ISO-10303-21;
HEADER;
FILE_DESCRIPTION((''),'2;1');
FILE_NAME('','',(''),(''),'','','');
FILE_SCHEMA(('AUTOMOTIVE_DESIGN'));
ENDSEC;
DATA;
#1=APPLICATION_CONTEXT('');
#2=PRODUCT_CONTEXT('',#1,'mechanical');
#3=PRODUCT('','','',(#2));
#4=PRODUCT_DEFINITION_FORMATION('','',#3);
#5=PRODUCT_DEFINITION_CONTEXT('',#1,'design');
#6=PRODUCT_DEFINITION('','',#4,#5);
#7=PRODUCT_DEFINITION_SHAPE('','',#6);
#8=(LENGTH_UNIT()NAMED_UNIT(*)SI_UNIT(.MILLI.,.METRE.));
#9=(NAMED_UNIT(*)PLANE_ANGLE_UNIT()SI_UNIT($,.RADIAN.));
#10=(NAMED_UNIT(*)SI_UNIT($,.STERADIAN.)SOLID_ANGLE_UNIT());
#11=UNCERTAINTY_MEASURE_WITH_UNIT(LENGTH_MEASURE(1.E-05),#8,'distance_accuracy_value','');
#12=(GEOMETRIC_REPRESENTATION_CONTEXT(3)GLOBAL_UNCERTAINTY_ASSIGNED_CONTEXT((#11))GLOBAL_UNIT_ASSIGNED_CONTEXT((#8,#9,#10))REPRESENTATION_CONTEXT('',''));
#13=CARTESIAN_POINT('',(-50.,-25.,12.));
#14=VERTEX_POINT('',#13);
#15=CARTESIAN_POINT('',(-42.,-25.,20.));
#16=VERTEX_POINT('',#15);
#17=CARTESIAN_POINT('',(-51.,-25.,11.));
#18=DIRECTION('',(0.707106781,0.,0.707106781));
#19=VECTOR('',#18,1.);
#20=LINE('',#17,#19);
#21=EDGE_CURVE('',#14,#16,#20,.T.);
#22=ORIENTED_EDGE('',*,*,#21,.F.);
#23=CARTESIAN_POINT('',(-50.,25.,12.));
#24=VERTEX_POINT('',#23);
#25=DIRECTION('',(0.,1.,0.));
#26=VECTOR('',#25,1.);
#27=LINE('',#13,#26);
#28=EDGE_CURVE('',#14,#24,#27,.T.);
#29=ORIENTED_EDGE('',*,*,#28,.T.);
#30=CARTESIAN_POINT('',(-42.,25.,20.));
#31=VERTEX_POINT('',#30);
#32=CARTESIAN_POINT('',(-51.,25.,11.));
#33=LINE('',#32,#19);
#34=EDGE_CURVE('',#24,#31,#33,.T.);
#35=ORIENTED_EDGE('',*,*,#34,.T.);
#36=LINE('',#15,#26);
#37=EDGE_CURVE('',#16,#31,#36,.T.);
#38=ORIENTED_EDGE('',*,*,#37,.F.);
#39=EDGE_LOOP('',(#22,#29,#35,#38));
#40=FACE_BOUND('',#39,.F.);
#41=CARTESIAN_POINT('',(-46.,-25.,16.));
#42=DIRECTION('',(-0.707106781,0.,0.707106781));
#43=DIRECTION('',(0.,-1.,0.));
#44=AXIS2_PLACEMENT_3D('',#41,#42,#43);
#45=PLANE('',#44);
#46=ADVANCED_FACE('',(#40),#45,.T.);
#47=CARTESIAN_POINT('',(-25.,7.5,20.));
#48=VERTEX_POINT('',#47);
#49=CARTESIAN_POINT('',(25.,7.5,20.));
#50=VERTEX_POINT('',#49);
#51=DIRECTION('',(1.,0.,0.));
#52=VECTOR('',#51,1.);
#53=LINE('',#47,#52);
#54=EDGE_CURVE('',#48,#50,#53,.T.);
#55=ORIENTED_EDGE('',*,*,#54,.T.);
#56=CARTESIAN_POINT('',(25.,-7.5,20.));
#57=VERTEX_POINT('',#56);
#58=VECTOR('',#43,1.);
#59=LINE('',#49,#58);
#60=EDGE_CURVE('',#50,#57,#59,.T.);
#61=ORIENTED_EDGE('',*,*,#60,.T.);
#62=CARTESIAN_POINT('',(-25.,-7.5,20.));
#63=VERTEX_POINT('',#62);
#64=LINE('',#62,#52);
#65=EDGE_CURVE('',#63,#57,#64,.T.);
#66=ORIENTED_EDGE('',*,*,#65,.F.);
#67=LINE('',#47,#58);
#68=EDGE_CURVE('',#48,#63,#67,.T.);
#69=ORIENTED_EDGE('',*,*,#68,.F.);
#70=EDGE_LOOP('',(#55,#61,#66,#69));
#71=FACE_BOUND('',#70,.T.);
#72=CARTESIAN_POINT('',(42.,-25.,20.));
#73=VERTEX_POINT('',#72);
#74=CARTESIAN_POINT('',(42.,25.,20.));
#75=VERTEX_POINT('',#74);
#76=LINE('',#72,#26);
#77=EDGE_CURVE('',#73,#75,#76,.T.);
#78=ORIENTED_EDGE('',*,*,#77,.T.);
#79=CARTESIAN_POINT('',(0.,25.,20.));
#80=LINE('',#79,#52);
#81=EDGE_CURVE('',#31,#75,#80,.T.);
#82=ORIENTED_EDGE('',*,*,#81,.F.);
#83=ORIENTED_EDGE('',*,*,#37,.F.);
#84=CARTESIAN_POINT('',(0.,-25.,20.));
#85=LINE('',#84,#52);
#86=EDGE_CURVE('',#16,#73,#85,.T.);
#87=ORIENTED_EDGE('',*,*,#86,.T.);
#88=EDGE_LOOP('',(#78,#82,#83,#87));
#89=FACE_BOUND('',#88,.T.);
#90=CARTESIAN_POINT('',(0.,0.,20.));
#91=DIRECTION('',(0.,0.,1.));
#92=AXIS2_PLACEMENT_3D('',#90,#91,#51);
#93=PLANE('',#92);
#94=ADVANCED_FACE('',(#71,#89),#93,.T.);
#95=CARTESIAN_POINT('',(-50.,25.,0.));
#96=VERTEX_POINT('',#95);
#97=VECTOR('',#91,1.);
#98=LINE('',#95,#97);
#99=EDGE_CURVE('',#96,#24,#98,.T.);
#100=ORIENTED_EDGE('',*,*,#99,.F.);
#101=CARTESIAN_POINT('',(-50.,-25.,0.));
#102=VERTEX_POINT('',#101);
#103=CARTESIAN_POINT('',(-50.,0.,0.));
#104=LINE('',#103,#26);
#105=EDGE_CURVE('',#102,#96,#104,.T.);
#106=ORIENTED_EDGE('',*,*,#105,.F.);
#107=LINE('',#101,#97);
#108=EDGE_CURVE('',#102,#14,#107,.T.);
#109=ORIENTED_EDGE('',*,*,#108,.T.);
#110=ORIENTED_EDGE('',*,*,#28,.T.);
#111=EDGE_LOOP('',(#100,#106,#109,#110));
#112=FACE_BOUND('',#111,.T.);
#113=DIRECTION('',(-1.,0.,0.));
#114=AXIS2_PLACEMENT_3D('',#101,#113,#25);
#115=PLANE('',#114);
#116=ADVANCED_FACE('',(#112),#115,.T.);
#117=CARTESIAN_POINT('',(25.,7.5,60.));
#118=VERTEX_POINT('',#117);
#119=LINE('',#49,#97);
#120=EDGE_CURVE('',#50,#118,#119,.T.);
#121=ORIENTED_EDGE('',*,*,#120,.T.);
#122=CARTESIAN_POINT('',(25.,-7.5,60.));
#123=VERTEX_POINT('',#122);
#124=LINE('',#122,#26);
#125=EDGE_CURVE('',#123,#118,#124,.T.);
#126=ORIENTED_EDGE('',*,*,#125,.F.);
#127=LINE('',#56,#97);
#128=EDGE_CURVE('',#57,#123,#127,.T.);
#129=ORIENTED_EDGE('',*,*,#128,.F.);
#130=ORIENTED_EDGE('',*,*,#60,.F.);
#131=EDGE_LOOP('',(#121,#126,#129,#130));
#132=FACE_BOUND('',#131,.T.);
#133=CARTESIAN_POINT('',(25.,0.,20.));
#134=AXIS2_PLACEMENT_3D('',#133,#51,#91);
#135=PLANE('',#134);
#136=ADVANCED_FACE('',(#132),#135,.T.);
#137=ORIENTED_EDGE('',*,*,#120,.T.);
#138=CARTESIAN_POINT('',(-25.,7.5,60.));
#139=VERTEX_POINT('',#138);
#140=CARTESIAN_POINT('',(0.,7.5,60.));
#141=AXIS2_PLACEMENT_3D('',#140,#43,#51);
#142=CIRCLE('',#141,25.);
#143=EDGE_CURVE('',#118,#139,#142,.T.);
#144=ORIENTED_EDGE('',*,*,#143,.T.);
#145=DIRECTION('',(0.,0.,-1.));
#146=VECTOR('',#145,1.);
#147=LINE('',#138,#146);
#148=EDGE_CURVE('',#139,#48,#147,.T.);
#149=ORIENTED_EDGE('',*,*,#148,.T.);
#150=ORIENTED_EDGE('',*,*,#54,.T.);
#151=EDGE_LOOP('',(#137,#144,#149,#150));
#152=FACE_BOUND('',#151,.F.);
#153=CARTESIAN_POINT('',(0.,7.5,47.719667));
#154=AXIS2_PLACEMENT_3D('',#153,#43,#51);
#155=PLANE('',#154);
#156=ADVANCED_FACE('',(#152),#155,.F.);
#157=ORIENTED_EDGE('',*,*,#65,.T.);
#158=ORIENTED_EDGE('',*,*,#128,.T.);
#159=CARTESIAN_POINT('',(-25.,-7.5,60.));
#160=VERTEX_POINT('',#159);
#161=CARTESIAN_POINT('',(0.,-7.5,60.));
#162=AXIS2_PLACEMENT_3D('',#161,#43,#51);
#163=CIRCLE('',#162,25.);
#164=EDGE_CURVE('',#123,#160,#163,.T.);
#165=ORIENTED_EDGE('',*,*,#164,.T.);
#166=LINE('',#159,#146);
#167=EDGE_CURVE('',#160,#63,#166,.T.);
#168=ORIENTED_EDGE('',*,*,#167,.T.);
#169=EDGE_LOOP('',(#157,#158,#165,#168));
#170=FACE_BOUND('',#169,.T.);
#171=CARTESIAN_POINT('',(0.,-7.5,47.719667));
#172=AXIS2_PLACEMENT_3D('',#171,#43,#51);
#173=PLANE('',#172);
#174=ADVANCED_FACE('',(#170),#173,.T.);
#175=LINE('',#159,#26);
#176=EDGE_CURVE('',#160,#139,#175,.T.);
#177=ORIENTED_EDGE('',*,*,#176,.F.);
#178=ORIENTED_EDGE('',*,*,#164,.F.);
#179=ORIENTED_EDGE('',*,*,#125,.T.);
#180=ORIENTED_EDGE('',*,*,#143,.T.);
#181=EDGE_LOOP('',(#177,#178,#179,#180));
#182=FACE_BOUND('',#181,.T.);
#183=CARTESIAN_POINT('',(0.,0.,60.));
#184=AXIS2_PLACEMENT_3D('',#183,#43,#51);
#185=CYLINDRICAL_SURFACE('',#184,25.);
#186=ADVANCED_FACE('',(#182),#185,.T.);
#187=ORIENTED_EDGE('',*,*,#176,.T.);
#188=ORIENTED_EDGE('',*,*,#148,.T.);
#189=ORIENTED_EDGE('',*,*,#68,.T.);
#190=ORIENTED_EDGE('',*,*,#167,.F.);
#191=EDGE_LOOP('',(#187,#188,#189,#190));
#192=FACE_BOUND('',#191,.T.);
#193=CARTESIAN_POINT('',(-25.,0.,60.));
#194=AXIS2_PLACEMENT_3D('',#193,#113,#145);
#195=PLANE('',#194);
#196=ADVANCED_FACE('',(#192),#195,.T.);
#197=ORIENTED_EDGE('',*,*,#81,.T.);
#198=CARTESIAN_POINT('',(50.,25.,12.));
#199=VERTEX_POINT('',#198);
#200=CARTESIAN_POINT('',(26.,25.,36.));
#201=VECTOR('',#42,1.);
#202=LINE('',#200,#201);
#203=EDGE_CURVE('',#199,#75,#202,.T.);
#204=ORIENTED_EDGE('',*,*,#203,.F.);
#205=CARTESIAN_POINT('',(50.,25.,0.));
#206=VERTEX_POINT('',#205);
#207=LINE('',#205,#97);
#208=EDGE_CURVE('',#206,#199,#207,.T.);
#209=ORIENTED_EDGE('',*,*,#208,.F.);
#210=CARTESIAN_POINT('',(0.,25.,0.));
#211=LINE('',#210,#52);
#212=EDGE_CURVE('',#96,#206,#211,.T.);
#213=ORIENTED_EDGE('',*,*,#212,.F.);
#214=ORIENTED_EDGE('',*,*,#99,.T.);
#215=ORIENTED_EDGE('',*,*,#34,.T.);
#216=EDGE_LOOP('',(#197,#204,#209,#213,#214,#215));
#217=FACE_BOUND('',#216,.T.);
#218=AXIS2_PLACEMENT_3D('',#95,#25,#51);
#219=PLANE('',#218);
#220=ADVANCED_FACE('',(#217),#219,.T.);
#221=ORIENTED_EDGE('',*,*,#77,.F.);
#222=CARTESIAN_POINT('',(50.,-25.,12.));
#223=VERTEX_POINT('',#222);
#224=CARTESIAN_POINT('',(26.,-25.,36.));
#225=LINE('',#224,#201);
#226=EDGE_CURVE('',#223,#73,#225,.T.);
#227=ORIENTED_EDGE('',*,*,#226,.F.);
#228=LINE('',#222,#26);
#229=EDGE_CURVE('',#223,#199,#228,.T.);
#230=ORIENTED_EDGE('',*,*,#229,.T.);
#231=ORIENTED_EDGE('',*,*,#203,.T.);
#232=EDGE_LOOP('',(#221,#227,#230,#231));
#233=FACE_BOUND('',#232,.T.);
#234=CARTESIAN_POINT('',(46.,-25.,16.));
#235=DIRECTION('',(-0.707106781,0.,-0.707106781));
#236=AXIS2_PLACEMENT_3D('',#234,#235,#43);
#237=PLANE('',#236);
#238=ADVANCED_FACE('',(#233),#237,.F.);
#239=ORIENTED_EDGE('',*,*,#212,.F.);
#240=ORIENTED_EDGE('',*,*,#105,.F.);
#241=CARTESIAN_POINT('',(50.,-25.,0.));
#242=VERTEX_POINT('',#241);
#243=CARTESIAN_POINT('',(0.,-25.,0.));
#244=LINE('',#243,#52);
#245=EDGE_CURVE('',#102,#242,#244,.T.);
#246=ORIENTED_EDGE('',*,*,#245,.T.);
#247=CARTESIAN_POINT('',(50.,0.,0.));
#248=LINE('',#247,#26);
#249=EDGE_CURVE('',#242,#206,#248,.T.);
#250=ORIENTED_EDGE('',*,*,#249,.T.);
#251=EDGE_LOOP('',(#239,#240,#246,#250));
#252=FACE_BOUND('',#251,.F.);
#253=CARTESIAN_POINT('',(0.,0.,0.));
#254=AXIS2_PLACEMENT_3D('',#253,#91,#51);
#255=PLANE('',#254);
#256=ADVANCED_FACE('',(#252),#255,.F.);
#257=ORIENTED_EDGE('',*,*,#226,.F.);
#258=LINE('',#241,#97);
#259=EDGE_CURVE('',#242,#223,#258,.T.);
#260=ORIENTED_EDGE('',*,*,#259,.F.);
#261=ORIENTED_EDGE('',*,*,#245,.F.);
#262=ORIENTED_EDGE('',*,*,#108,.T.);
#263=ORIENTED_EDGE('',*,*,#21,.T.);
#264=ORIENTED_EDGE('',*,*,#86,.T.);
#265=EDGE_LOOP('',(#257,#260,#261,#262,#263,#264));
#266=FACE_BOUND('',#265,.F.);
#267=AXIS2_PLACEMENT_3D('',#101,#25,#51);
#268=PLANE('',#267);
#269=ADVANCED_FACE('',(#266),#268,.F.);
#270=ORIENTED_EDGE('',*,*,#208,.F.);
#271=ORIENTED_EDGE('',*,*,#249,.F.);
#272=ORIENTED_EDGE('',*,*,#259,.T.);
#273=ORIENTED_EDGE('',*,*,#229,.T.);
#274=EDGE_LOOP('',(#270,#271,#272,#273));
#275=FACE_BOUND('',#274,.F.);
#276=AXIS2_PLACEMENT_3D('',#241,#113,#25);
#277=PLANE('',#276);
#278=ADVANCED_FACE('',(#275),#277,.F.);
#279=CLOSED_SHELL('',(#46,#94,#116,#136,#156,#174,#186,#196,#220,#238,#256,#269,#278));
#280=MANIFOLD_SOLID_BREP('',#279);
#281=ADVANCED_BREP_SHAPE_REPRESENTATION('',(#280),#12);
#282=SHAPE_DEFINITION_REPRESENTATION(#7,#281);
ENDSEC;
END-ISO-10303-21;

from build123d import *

# Parameters (mm, degrees)
F0_W     = 100
F0_H     = 50
F1_DEPTH = 20
F2_SIZE  = 8
F4_DEPTH = 7.5


with BuildPart() as f1:
    # F0 (on Top) → F1 (new body)
    with BuildSketch(Plane.XY):
        Rectangle(F0_W, F0_H)
    extrude(amount=F1_DEPTH)

    # F2
    f2_edges = [f1.edges().sort_by_distance(p)[0] for p in [
        (-50, 0, 20),
        (50, 0, 20),
    ]]
    chamfer(f2_edges, length=F2_SIZE)

    # F3 (on Front) → F4 (join, symmetric)
    with BuildSketch(Plane.XZ):
        with BuildLine():
            Line((-25, 60), (-25, 20))
            Line((-25, 20), (25, 20))
            Line((25, 20), (25, 60))
            ThreePointArc((25, 60), (0, 85), (-25, 60))
        make_face()
    extrude(amount=F4_DEPTH, both=True)


solid = f1.part
